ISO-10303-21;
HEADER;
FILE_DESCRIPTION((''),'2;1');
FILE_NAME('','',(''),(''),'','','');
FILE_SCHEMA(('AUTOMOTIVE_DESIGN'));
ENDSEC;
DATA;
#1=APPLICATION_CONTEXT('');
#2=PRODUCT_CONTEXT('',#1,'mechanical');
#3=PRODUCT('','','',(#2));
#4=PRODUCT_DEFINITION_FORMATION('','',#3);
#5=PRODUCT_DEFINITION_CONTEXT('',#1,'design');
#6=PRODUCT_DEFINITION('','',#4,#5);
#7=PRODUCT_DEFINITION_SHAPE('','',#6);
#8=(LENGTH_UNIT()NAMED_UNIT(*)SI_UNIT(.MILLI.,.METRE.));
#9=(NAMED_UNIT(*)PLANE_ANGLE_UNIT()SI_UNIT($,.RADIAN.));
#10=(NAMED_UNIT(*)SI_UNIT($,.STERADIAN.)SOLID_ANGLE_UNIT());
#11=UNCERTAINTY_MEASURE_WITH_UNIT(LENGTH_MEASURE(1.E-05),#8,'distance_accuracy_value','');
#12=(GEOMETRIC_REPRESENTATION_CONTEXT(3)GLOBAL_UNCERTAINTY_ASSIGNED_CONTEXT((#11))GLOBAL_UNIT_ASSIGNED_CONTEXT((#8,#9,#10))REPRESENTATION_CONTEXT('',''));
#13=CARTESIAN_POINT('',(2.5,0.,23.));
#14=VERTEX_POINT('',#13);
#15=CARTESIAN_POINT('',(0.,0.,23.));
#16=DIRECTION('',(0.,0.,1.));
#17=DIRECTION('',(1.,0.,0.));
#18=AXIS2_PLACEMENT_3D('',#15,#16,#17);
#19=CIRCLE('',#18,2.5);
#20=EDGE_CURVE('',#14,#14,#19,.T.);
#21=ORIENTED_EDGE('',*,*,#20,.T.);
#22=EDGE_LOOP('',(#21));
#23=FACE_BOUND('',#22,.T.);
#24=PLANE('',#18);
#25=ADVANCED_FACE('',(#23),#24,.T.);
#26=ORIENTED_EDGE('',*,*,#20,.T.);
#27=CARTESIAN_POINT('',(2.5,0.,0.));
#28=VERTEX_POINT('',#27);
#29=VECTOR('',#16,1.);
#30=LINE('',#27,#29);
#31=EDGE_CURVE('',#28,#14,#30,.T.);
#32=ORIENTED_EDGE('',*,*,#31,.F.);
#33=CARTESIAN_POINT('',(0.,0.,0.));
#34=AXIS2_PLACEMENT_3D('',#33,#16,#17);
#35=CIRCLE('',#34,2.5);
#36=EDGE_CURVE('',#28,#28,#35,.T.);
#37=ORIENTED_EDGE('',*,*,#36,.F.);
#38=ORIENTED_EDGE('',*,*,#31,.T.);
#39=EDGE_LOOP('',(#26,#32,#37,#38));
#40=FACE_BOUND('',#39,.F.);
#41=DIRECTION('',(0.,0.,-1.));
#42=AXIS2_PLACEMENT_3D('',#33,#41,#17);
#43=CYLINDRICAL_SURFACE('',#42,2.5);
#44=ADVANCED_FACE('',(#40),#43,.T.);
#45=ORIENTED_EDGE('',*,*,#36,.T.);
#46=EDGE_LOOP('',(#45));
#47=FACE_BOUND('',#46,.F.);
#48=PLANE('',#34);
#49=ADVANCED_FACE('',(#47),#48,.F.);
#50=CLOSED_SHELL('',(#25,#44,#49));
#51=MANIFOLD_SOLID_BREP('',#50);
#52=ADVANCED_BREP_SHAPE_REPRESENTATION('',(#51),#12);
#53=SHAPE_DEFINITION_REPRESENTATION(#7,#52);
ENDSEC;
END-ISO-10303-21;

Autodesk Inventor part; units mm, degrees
ref_plane "YZ Plane" through (0, 0, 0) normal (1, 0, 0) x (0, 1, 0)
ref_plane "XZ Plane" through (0, 0, 0) normal (0, 1, 0) x (-1, 0, 0)
ref_plane "XY Plane" through (0, 0, 0) normal (0, 0, 1) x (1, 0, 0)
sketch "Sketch1" plane through (0, 0, 0) normal (0, 0, 1) x (1, 0, 0)
  circle A0 centre (0, 0) radius 2.5
  dimension "d0" = 5
extrude "Extrusion1" add sketch "Sketch1" along normal blind 23
